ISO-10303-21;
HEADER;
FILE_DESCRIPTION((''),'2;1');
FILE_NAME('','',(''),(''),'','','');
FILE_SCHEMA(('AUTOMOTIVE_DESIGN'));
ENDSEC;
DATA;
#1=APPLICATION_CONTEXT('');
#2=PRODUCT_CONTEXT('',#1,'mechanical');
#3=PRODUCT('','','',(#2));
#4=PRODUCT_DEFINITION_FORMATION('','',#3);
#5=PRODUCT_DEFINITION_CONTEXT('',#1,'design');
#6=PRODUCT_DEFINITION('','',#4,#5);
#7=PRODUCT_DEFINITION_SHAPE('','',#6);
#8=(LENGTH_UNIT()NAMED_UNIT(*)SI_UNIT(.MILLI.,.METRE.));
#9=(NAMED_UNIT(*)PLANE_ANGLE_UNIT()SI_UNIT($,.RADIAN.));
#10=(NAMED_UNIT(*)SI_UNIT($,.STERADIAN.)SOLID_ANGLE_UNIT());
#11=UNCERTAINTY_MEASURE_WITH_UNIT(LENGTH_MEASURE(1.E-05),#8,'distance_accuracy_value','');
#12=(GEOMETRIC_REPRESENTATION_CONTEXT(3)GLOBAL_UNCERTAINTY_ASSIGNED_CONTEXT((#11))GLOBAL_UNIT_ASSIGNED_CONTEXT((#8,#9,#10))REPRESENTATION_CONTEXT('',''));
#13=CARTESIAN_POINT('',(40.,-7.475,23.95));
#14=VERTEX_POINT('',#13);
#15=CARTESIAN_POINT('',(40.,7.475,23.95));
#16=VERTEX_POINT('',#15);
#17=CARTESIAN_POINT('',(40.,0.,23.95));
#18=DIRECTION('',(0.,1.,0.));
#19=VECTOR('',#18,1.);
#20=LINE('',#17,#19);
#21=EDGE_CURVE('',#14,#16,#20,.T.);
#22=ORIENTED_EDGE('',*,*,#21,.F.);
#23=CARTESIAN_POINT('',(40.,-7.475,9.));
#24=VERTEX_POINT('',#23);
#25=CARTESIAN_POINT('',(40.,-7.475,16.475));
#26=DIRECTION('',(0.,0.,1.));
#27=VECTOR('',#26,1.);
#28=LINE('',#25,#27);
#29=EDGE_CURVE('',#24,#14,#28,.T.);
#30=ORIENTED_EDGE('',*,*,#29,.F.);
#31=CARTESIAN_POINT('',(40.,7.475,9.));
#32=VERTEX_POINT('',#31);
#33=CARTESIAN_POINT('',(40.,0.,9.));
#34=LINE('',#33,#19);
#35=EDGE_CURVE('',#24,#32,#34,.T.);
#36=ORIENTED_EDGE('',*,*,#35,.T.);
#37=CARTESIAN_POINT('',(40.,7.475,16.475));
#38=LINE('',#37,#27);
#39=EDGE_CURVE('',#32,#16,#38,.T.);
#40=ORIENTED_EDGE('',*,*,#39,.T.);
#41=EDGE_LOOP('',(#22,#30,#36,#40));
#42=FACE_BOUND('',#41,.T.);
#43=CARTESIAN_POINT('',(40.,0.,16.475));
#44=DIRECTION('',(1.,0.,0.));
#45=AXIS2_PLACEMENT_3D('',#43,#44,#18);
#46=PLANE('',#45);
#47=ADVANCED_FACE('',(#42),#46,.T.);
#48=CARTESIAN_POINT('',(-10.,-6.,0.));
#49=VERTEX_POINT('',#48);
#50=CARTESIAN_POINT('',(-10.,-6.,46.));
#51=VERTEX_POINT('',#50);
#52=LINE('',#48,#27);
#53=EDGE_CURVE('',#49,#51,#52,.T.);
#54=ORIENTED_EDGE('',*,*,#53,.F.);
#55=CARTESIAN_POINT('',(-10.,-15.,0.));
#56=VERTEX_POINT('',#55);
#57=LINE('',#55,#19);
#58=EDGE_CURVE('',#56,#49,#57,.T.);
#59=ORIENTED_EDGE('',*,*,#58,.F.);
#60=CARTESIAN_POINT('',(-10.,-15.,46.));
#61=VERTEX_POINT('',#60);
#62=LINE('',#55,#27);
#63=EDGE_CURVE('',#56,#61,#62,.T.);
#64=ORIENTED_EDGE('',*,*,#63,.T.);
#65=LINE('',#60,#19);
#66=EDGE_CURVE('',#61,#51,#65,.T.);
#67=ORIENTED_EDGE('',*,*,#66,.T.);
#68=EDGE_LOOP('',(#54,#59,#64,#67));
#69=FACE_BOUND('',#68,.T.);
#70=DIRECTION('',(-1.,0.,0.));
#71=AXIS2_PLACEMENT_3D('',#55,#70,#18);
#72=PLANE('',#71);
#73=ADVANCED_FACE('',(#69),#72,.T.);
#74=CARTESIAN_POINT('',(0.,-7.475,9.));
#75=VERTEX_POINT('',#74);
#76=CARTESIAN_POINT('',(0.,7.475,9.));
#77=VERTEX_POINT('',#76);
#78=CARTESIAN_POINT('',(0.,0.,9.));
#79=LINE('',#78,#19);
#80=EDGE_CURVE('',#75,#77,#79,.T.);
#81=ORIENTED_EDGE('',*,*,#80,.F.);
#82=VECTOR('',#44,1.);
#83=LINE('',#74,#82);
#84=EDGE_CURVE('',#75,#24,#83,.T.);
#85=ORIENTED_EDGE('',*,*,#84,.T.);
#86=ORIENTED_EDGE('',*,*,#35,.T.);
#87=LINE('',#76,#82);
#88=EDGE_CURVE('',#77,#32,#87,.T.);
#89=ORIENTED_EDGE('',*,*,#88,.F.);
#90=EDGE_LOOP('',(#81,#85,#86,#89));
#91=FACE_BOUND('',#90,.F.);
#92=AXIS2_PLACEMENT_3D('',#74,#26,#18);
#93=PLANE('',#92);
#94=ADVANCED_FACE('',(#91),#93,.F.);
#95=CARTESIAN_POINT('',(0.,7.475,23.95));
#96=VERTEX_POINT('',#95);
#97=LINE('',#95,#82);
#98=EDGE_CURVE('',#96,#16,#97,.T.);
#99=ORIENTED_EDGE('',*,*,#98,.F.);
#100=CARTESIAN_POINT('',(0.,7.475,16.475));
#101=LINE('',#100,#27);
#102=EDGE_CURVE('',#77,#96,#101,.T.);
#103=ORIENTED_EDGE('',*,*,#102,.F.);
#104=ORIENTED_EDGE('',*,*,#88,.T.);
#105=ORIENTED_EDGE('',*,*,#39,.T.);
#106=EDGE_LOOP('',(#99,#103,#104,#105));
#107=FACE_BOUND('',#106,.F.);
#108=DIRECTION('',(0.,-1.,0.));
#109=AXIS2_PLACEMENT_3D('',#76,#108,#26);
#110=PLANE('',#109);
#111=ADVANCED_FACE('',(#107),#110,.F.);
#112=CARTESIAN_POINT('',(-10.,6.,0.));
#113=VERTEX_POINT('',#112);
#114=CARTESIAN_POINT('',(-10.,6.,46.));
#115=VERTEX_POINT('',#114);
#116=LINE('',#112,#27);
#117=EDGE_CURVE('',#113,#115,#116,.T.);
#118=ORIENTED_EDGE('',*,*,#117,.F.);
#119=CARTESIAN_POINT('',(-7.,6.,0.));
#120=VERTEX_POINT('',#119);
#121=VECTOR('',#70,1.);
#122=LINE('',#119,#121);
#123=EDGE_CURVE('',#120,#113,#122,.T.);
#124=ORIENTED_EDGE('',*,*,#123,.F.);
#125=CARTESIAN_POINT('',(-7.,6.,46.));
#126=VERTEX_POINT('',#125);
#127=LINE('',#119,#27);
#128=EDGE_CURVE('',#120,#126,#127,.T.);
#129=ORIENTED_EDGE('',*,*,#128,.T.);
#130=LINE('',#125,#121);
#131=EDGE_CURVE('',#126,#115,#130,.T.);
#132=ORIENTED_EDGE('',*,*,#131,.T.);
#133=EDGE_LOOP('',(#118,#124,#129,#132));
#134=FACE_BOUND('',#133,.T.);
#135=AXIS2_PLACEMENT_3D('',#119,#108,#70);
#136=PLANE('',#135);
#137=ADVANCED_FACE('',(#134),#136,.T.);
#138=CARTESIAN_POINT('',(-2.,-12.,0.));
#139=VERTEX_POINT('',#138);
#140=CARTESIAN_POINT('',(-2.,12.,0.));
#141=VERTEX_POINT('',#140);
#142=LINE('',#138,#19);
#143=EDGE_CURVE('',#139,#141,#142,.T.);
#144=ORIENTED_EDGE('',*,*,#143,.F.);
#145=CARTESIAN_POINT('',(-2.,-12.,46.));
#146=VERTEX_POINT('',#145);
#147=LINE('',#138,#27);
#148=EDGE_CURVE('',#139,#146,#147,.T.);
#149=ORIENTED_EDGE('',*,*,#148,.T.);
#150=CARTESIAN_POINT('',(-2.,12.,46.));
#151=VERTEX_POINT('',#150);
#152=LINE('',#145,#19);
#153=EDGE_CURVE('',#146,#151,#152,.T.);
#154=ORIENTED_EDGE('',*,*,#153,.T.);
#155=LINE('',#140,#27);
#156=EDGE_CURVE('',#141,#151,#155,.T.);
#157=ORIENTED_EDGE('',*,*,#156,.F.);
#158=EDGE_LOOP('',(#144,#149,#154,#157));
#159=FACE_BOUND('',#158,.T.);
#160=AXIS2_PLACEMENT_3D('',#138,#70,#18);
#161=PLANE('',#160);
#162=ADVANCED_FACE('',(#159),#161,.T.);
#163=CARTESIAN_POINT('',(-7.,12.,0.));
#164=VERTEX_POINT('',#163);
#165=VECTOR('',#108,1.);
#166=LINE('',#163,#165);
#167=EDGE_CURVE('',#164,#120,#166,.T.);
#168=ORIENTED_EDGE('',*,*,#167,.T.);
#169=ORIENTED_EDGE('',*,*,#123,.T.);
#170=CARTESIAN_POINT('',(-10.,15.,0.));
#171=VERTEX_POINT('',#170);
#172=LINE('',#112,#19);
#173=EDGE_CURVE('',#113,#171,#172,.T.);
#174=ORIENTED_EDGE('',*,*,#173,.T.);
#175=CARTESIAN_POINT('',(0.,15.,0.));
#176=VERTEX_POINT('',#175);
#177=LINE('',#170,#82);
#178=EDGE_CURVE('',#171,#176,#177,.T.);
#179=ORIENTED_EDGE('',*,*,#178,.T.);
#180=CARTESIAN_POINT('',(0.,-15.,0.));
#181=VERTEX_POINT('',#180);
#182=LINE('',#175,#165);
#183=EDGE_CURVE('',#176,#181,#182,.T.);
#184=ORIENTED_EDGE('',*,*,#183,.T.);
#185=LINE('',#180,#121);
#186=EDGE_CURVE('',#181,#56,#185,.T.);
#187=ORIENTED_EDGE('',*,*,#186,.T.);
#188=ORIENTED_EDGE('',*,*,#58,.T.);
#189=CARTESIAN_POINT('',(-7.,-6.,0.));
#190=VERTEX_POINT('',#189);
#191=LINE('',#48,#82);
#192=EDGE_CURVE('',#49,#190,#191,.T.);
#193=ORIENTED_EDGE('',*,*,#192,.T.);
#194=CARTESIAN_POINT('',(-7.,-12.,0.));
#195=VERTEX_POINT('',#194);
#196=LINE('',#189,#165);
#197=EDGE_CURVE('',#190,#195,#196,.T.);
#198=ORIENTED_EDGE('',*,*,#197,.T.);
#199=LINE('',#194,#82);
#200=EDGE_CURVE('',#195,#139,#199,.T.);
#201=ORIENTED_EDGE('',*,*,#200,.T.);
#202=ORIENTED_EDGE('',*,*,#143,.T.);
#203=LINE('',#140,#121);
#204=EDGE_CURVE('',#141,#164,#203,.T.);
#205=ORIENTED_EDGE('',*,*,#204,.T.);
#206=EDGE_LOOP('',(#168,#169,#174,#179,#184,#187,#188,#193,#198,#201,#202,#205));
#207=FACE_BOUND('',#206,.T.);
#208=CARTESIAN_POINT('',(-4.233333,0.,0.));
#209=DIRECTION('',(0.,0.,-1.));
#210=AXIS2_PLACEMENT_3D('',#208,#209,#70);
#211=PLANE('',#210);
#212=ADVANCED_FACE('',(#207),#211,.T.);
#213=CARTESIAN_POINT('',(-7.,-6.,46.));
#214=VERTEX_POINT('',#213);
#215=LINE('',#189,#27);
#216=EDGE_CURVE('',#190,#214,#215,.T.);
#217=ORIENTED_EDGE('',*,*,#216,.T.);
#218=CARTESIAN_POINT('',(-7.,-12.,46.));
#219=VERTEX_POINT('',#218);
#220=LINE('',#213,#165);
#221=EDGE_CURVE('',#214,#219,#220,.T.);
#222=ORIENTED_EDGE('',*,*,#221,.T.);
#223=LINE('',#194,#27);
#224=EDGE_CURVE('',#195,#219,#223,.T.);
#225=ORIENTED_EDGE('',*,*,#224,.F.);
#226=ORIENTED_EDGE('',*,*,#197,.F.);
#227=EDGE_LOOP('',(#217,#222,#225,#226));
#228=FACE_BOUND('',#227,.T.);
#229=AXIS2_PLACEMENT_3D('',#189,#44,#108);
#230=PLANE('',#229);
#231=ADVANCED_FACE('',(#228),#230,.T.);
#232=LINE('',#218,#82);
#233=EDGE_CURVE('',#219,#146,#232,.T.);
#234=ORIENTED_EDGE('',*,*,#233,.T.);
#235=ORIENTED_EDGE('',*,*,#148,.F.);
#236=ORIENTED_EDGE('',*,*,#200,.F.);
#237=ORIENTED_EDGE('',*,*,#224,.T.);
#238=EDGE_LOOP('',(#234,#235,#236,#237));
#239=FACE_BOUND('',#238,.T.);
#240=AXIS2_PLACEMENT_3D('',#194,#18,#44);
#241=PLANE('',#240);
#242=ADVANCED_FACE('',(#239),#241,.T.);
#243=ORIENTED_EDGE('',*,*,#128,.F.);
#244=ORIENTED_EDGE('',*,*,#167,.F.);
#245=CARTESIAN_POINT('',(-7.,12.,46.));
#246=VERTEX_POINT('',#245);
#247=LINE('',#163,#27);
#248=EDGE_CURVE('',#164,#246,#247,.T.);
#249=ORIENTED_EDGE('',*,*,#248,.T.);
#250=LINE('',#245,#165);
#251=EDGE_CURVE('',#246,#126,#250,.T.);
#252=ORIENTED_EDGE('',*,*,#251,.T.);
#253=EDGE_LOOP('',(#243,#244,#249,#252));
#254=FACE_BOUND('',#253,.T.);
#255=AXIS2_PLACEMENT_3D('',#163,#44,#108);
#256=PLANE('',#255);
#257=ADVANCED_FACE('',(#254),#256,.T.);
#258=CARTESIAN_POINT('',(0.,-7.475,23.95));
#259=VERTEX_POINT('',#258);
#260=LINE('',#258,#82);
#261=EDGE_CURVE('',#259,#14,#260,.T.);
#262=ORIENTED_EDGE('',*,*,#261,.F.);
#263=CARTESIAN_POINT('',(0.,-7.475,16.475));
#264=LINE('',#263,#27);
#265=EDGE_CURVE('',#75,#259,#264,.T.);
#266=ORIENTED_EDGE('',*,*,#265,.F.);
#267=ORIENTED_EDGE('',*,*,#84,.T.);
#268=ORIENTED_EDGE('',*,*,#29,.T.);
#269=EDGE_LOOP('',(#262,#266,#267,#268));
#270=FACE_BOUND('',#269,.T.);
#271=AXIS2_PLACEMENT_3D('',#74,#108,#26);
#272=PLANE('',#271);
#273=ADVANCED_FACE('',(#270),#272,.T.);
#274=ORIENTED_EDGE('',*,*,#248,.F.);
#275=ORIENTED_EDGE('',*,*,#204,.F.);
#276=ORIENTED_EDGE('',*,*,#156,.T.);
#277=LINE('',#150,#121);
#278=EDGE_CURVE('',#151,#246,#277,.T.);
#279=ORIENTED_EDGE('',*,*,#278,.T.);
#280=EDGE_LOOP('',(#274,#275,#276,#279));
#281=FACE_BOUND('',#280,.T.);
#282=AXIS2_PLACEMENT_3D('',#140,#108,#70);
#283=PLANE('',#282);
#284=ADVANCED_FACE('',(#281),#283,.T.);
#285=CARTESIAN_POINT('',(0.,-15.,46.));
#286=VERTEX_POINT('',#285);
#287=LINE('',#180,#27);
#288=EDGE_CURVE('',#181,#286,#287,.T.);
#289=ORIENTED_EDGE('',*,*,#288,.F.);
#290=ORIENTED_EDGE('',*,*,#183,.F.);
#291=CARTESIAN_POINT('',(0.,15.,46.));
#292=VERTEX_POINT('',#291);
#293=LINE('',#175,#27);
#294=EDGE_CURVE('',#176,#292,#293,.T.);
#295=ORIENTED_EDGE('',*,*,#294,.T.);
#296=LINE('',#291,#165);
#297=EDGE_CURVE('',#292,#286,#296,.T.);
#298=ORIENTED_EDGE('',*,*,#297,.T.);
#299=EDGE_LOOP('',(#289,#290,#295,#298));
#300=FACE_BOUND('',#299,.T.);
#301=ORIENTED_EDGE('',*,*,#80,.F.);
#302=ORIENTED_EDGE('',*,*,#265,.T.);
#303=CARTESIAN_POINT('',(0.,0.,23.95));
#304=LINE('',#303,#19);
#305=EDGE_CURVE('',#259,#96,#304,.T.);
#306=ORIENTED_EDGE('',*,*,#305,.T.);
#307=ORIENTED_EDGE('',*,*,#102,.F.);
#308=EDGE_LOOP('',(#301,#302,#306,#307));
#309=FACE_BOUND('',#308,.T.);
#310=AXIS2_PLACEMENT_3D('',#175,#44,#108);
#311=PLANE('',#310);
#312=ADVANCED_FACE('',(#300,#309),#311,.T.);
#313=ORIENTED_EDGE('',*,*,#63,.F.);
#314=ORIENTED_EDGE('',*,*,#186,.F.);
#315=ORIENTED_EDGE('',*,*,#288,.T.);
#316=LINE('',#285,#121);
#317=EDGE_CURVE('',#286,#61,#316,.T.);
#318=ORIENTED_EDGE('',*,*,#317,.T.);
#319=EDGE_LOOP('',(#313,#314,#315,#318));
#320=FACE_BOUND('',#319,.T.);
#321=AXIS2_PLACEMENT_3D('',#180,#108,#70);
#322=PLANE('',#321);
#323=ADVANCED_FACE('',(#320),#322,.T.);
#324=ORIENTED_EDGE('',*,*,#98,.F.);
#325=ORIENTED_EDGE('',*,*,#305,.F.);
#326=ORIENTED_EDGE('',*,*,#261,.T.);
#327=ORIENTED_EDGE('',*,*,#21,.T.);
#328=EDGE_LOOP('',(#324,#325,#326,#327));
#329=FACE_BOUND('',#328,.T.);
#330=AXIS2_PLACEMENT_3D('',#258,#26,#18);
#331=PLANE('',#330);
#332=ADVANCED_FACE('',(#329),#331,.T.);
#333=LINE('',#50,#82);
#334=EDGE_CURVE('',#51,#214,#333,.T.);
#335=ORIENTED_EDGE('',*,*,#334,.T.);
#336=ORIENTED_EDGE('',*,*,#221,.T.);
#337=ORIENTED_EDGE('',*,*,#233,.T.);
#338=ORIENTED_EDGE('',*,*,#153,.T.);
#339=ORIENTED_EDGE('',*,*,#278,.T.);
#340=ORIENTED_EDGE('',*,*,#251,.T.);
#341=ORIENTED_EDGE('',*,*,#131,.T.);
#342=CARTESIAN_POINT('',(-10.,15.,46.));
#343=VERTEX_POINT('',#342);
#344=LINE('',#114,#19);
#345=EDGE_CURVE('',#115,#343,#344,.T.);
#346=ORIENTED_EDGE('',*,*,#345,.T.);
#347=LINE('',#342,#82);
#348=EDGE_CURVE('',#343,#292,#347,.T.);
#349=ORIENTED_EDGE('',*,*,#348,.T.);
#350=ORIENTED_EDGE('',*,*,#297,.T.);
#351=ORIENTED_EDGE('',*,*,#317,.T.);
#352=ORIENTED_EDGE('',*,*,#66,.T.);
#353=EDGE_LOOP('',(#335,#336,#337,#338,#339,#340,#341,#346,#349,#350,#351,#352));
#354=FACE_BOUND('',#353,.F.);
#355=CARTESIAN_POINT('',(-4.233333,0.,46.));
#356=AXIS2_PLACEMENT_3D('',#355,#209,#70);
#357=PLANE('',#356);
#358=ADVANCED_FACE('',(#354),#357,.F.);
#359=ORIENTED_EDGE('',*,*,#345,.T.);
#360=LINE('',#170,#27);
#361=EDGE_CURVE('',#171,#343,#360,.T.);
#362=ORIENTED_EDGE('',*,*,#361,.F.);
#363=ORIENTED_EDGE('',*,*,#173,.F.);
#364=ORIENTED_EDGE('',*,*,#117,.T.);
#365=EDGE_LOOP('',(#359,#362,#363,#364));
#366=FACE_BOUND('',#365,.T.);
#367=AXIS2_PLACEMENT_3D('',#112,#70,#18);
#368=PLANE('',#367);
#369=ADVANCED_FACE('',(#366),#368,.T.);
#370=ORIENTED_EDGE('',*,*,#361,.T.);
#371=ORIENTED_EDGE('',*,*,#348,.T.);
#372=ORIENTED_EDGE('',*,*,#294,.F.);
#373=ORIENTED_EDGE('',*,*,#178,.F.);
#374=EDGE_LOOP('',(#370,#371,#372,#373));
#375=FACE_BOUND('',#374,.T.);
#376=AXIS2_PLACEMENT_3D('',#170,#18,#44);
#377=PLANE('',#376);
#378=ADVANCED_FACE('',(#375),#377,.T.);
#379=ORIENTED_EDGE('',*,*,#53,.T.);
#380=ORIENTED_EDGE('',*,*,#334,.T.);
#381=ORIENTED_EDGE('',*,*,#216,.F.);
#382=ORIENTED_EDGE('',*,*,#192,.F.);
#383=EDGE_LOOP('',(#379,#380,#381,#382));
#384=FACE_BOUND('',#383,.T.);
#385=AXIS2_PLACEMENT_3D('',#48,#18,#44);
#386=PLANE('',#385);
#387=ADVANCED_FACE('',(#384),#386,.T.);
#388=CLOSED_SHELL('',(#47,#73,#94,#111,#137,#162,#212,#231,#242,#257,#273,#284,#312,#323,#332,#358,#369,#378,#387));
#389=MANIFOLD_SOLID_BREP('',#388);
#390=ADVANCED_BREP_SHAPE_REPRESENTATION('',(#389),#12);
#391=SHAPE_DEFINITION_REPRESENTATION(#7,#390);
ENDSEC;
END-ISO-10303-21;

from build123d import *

# Parameters (mm, degrees)
PAD_DEPTH    = 46
SKETCH002_W  = 14.95
SKETCH002_H  = 14.95
PAD001_DEPTH = 40


with BuildPart() as part:
    # Sketch → Pad (new body)
    with BuildSketch(Plane.XY):
        Polygon((-10, 15), (0, 15), (0, -15), (-10, -15), (-10, -6), (-7, -6), (-7, -12), (-2, -12), (-2, 12), (-7, 12), (-7, 6), (-10, 6), align=None)
    extrude(amount=PAD_DEPTH)

    # Sketch002 (on Face2 of Pad) → Pad001 (join)
    with BuildSketch(Plane.YZ):
        with Locations((0, 16.475)):
            Rectangle(SKETCH002_W, SKETCH002_H)
    extrude(amount=PAD001_DEPTH)


solid = part.part
